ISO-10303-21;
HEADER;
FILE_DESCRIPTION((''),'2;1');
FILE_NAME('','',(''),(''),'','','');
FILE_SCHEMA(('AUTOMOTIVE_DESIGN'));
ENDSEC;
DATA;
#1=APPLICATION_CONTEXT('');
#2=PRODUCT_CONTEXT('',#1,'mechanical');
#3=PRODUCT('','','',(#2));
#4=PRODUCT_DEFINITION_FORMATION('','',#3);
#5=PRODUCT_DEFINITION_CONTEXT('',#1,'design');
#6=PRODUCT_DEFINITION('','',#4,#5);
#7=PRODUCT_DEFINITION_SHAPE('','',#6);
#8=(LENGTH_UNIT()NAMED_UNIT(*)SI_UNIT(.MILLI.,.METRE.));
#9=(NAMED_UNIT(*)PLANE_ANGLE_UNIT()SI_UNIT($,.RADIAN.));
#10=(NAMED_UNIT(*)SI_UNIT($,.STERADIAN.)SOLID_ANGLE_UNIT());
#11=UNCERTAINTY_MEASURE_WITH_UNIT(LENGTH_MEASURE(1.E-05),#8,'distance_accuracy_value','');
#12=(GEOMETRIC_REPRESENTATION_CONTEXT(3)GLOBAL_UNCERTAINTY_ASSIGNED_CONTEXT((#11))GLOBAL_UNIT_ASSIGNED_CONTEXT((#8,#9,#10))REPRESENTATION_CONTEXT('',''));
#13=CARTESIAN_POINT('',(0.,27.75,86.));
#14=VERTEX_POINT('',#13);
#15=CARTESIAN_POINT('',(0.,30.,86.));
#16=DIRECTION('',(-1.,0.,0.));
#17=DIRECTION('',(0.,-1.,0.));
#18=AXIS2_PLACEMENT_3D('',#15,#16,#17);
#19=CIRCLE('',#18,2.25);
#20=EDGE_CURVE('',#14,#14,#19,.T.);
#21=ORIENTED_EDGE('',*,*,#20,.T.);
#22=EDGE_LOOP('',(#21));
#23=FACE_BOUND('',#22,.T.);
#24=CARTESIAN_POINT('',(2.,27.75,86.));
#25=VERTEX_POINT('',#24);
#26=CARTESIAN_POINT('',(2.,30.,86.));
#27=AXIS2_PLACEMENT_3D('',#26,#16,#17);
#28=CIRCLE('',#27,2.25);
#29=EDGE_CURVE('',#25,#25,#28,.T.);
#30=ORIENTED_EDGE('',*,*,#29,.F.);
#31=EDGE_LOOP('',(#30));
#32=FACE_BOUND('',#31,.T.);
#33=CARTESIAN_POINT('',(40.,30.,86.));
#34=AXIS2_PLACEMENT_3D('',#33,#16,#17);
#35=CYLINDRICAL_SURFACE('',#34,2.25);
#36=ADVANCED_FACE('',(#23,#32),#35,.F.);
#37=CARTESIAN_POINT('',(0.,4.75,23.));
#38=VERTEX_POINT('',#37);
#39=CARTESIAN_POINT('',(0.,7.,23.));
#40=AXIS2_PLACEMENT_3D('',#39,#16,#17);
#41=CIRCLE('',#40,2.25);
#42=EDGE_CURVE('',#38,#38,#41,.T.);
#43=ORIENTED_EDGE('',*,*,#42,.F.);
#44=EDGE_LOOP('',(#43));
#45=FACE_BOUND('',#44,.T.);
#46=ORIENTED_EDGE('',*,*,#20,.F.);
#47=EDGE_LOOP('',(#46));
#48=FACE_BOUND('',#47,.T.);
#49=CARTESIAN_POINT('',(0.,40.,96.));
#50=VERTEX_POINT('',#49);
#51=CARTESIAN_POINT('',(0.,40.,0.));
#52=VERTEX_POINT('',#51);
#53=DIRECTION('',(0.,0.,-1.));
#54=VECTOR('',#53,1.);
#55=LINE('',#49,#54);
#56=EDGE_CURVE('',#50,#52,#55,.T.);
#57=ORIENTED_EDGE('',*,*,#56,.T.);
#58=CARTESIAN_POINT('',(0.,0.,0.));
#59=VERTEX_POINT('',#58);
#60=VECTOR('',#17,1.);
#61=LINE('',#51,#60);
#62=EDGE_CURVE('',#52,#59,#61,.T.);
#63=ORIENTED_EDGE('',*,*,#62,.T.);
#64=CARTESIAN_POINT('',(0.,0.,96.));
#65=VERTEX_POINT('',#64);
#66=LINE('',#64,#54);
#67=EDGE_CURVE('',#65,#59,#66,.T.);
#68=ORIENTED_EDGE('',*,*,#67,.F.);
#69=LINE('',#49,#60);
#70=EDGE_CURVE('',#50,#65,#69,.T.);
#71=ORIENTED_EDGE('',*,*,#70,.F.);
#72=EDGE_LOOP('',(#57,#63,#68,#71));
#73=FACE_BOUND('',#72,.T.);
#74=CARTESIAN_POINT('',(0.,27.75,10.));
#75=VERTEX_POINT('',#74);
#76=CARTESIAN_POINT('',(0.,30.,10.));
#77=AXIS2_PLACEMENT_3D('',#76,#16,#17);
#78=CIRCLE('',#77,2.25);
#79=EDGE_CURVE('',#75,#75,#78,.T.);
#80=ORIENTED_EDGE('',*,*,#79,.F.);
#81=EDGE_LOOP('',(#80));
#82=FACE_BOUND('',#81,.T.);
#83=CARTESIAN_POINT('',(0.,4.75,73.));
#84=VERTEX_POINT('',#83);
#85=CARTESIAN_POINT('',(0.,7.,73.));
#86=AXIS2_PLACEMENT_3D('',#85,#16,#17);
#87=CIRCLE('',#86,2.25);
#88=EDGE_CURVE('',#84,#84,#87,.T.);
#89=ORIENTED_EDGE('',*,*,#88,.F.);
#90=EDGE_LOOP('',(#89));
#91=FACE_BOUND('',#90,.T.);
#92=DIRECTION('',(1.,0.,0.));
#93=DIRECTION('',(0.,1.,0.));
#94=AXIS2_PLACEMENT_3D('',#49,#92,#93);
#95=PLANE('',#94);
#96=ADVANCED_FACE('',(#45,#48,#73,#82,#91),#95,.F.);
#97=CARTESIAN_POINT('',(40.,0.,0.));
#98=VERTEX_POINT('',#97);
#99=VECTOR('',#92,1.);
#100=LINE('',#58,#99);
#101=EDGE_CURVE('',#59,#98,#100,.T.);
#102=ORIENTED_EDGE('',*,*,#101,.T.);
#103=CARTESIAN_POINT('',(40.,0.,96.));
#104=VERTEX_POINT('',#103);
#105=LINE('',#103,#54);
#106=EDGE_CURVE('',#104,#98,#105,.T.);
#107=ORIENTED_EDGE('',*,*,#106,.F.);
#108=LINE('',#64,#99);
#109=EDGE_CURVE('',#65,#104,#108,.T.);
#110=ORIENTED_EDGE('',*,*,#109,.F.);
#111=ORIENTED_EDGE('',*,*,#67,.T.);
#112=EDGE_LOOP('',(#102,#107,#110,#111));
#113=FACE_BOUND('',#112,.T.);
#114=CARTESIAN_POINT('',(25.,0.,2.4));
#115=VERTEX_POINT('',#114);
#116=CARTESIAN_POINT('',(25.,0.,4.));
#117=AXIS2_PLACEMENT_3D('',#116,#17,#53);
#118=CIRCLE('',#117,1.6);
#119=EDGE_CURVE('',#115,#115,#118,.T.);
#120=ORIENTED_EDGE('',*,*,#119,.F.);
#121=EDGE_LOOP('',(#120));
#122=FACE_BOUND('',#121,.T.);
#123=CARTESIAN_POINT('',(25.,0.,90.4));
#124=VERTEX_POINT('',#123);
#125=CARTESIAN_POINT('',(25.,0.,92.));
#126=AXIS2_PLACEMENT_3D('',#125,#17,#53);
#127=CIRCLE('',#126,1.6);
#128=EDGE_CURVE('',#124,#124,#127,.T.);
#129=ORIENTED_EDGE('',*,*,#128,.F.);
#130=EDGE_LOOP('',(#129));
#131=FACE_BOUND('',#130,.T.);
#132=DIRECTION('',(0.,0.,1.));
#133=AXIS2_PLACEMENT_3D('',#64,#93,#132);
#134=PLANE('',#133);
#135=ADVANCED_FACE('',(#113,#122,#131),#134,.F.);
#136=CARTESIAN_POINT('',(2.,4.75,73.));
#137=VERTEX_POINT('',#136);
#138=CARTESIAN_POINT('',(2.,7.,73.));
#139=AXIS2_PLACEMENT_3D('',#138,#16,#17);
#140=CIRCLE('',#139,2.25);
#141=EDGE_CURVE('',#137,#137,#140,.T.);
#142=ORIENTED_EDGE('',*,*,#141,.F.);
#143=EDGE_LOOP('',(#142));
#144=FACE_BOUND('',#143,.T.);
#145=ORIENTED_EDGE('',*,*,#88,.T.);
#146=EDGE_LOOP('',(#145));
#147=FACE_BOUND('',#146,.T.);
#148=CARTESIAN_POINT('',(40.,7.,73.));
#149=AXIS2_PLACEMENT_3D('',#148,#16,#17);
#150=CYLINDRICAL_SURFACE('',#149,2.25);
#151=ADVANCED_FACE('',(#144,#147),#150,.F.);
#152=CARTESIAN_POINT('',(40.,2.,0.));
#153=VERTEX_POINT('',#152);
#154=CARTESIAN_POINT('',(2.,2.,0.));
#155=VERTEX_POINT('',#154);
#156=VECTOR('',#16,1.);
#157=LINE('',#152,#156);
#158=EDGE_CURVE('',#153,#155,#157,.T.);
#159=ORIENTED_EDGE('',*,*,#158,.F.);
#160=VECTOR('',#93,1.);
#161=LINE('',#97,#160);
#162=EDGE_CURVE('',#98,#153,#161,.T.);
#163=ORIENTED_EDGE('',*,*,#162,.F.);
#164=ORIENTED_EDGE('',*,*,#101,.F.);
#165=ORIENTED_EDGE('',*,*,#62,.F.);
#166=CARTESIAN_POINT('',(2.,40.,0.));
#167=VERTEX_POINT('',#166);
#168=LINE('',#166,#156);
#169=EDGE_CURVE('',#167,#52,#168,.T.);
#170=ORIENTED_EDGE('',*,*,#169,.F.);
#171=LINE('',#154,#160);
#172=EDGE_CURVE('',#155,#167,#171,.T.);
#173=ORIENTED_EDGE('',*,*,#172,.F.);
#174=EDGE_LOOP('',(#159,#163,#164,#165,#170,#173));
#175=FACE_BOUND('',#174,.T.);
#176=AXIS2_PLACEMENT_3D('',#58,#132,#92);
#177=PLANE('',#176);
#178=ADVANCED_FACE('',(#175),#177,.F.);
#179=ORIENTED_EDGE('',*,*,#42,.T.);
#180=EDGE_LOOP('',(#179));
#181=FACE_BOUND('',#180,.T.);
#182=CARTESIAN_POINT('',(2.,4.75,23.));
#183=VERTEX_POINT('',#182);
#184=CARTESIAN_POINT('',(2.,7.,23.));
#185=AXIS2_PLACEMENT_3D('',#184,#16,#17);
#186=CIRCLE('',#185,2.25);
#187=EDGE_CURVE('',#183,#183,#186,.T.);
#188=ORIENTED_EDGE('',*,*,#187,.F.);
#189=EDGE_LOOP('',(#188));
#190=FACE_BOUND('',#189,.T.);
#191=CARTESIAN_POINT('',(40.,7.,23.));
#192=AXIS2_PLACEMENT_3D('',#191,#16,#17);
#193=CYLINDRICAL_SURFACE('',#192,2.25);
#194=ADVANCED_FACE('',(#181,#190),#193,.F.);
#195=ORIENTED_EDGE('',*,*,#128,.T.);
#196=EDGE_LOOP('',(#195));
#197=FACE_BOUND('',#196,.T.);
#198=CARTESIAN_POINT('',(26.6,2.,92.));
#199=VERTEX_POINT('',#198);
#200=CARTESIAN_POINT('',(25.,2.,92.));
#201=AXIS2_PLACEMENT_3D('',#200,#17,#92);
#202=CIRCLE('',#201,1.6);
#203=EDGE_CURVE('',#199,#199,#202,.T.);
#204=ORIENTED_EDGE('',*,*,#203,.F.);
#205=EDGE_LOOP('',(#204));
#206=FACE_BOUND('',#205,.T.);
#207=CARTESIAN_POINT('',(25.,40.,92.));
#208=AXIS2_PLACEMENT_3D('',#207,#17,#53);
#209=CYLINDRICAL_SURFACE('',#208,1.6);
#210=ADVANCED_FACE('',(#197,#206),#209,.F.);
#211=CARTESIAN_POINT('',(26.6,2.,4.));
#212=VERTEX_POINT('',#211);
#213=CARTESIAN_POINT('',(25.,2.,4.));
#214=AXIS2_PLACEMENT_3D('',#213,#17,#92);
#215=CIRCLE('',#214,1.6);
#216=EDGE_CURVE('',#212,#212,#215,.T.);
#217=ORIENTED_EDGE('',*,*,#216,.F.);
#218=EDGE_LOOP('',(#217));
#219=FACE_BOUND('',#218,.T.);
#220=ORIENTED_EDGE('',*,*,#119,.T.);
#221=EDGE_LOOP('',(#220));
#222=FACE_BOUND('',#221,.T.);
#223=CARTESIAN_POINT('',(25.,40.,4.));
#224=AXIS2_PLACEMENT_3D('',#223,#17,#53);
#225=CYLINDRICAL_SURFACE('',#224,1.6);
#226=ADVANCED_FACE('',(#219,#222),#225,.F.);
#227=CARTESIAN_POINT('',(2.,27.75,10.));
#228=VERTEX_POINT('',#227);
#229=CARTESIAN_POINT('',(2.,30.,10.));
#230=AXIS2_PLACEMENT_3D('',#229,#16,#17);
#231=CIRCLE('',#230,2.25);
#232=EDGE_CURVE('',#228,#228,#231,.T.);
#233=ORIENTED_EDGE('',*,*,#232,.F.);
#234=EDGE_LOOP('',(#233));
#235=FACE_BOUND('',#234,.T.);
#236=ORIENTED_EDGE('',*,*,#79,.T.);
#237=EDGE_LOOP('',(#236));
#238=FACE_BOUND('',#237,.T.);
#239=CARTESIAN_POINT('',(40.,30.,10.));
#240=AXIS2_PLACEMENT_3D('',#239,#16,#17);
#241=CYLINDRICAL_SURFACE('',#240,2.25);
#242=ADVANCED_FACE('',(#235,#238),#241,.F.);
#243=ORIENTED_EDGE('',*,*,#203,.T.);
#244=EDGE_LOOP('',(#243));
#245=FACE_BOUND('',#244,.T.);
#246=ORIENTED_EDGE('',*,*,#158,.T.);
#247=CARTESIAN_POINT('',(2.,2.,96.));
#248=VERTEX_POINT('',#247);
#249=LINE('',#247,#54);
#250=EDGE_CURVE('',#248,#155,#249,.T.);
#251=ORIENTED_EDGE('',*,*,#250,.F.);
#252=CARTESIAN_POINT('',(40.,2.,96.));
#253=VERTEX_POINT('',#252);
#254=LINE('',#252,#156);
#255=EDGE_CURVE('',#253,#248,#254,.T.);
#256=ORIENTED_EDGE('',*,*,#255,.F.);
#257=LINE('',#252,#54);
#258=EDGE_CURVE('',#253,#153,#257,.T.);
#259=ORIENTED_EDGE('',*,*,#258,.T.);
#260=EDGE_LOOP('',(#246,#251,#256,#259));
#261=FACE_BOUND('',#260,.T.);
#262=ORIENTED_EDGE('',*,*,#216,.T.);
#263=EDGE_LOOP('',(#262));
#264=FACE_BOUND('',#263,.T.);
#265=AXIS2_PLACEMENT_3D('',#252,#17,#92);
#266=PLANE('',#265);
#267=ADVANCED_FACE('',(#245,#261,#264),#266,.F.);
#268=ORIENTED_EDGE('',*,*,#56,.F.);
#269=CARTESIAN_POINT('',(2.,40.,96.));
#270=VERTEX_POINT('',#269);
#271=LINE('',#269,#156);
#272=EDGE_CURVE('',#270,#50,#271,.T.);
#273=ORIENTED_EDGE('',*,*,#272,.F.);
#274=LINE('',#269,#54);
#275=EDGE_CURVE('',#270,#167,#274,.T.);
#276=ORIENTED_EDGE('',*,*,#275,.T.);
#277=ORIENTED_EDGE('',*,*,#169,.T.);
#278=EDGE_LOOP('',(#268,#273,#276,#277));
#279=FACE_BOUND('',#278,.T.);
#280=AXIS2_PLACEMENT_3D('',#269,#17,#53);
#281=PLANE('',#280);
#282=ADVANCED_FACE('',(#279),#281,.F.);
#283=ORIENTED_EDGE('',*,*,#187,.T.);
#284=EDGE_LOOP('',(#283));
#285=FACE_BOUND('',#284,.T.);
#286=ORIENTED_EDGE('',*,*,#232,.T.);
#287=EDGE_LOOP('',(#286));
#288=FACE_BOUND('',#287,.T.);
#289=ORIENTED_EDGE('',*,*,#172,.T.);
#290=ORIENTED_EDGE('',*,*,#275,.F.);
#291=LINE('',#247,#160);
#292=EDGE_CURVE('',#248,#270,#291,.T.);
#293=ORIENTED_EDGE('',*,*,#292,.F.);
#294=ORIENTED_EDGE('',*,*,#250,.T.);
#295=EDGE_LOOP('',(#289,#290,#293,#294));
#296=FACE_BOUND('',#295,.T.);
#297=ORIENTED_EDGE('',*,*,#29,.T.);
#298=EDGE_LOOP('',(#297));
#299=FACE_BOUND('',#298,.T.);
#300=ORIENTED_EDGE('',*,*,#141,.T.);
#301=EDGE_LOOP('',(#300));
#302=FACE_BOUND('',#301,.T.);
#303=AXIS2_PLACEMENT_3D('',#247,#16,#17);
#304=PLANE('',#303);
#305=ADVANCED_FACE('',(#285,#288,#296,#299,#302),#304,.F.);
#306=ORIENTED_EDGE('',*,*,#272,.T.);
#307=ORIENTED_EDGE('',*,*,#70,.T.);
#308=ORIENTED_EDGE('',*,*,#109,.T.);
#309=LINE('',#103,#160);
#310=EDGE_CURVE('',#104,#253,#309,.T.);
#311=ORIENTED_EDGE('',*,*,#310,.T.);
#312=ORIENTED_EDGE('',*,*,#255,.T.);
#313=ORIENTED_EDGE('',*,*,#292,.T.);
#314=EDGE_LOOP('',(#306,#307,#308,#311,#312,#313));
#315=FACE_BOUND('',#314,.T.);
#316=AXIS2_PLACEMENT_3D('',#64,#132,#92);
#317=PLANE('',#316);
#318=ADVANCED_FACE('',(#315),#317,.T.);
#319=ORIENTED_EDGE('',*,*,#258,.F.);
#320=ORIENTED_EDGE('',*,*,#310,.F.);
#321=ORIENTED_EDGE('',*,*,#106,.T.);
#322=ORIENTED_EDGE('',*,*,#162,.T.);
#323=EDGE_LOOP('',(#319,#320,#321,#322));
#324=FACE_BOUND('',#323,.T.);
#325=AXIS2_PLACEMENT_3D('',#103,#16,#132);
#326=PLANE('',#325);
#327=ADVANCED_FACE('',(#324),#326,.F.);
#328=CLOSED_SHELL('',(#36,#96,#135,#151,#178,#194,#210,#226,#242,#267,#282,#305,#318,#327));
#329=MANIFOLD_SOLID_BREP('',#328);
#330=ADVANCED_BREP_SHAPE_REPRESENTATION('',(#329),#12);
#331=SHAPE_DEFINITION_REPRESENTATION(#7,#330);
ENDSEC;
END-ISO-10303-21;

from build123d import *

# Parameters (mm, degrees)
EXTRUDE_1_DEPTH     = 96
SKETCH_2_R          = 1.6
CUT_EXTRUDE_1_DEPTH = 41
SKETCH_3_R          = 2.25
CUT_EXTRUDE_2_DEPTH = 41


with BuildPart() as part:
    # Эскиз1 → Бобышка-Вытянуть1 (new body)
    with BuildSketch(Plane.XY):
        Polygon((0, 0), (40, 0), (40, 2), (2, 2), (2, 40), (0, 40), align=None)
    extrude(amount=EXTRUDE_1_DEPTH)

    # Эскиз2 → Вырез-Вытянуть1 (cut, through all)
    with BuildSketch(Plane.XZ):
        with Locations((25, 92)):
            Circle(SKETCH_2_R)
        with Locations((25, 4)):
            Circle(SKETCH_2_R)
    extrude(amount=-CUT_EXTRUDE_1_DEPTH, mode=Mode.SUBTRACT)

    # Эскиз3 → Вырез-Вытянуть2 (cut, through all)
    with BuildSketch(Plane.ZY):
        with Locations((10, 30)):
            Circle(SKETCH_3_R)
        with Locations((86, 30)):
            Circle(SKETCH_3_R)
        with Locations((73, 7)):
            Circle(SKETCH_3_R)
        with Locations((23, 7)):
            Circle(SKETCH_3_R)
    extrude(amount=-CUT_EXTRUDE_2_DEPTH, mode=Mode.SUBTRACT)


solid = part.part
